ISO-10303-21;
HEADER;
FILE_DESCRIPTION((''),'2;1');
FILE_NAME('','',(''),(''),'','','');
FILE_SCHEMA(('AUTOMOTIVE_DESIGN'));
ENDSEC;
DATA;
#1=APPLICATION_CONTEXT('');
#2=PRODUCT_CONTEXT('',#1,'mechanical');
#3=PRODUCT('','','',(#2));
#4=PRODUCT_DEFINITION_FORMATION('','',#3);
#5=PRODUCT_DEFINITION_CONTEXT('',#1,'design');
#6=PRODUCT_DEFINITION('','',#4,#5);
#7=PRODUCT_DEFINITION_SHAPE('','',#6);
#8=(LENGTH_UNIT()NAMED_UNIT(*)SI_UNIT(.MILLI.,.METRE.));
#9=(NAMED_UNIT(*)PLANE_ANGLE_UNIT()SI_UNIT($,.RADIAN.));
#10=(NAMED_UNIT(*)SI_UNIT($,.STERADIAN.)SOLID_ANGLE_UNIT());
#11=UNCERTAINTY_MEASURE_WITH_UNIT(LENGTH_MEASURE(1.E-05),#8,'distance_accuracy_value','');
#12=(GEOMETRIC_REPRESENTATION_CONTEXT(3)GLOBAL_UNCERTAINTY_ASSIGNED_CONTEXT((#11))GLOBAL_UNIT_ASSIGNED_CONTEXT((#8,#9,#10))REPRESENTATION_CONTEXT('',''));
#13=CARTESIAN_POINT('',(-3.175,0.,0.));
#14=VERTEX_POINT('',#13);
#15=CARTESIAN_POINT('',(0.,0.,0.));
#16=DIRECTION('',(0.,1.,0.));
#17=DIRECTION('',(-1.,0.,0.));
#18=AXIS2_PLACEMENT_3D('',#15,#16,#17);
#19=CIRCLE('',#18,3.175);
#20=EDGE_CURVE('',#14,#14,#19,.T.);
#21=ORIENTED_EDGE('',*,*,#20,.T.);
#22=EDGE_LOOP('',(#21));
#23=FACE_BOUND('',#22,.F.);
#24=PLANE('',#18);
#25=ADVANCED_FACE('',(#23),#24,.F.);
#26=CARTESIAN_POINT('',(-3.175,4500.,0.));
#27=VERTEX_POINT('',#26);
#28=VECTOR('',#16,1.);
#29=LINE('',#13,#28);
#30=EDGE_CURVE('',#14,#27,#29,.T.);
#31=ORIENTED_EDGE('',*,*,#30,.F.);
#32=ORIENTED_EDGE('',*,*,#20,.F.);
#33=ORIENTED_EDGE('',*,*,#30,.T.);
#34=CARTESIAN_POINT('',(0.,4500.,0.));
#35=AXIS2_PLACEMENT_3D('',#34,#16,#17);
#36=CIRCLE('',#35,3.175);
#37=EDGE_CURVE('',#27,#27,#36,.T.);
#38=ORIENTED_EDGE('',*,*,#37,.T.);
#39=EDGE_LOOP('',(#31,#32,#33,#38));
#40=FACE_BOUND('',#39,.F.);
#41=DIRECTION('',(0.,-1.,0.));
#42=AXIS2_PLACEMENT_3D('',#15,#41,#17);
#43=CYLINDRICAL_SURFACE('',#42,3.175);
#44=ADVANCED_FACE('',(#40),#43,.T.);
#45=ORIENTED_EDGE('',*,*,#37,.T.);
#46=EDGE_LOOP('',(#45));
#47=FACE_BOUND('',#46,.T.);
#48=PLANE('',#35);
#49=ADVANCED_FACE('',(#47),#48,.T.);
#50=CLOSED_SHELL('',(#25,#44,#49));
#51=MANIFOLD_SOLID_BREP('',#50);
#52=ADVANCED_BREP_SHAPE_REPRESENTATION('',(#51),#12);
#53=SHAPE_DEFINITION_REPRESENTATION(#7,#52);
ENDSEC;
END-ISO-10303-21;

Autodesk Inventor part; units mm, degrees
ref_plane "YZ Plane" through (0, 0, 0) normal (1, 0, 0) x (0, 1, 0)
ref_plane "XZ Plane" through (0, 0, 0) normal (0, 1, 0) x (-1, 0, 0)
ref_plane "XY Plane" through (0, 0, 0) normal (0, 0, 1) x (1, 0, 0)
sketch "Sketch1" plane through (0, 0, 0) normal (0, 1, 0) x (-1, 0, 0)
  circle A0 centre (0, 0) radius 3.175
  dimension "d0" = 6.35
extrude "Extrusion1" add sketch "Sketch1" along normal blind 4500
properties part number "2f3kcl" material "Gold"
